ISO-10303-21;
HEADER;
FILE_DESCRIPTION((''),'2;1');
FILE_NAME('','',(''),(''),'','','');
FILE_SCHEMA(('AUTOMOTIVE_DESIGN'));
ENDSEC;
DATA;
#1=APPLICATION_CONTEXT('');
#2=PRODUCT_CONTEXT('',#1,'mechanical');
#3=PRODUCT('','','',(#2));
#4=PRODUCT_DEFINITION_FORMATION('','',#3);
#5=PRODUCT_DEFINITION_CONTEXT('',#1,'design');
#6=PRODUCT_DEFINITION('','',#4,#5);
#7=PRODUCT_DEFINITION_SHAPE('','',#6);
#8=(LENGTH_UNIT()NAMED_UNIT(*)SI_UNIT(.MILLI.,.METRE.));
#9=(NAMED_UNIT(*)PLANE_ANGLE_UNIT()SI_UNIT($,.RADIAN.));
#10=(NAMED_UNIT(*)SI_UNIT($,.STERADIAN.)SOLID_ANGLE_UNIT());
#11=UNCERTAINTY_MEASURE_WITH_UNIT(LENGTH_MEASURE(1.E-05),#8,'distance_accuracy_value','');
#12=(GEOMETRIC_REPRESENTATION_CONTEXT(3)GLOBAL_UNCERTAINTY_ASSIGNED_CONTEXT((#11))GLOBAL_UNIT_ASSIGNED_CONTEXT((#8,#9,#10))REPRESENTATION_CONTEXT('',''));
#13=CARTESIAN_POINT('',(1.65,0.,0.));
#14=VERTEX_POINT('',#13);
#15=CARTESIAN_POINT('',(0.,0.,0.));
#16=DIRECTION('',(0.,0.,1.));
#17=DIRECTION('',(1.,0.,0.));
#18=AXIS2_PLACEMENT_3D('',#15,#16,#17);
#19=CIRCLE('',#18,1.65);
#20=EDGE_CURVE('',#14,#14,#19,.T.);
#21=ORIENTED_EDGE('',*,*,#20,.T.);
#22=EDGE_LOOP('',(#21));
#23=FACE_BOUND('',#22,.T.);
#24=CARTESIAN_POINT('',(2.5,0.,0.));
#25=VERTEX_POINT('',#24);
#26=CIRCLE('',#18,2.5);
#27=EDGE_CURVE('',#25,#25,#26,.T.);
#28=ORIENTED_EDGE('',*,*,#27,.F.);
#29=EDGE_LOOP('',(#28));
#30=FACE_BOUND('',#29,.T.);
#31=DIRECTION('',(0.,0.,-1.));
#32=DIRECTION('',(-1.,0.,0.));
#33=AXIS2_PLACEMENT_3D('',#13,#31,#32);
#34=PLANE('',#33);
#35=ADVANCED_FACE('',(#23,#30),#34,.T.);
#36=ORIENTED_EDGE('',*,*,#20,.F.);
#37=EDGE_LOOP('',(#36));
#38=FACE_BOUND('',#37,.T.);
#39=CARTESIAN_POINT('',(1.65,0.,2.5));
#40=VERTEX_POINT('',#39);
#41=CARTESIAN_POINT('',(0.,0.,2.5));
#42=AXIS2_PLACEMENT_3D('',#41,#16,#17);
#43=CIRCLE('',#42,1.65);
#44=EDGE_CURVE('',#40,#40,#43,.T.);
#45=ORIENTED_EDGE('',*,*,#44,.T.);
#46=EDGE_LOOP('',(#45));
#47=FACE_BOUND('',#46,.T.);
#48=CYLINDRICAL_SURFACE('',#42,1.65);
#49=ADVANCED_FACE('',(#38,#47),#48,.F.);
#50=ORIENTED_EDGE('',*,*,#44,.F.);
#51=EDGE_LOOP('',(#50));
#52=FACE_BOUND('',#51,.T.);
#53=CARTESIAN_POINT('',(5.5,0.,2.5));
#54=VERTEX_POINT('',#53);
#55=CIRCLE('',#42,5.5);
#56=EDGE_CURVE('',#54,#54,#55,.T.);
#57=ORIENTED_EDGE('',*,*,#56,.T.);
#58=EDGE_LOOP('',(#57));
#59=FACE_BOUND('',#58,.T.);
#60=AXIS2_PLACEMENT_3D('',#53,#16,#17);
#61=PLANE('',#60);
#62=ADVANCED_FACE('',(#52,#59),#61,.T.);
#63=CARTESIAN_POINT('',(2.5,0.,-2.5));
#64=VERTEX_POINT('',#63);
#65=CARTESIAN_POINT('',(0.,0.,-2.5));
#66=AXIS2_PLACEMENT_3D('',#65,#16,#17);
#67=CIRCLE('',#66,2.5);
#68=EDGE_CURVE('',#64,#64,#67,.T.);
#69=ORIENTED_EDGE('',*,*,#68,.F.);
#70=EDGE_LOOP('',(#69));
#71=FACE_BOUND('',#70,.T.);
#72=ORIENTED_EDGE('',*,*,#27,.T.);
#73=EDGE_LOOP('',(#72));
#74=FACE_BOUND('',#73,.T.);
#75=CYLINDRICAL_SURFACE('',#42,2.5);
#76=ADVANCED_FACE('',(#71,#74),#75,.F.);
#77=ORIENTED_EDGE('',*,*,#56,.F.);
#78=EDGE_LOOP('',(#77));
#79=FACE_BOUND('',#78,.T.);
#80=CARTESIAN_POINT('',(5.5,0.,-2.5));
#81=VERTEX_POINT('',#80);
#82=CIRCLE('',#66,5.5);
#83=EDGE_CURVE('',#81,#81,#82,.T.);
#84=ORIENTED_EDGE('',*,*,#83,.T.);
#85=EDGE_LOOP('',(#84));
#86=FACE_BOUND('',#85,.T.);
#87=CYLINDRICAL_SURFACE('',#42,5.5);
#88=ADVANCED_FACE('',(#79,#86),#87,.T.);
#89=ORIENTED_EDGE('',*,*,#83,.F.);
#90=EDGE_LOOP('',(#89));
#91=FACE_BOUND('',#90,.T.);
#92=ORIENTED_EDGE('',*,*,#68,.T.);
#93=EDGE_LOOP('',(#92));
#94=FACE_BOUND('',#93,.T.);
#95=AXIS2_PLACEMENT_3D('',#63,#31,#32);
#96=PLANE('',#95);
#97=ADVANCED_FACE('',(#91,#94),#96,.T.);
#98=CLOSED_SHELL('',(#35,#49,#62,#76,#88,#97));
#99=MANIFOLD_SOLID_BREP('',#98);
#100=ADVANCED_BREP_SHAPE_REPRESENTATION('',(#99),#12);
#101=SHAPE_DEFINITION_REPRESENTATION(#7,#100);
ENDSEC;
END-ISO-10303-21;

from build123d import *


with BuildPart() as part:
    # Sketch2 → Revolve1 (revolve)
    with BuildSketch(Plane(origin=(0, 0, 0), x_dir=(1, 0, 0), z_dir=(0, 1, 0))):
        Polygon((2.5, 2.5), (5.5, 2.5), (5.5, -2.5), (1.65, -2.5), (1.65, 0), (2.5, 0), align=None)
    revolve(axis=Axis((0, 0, 2.5), (0, 0, -1)))


solid = part.part
